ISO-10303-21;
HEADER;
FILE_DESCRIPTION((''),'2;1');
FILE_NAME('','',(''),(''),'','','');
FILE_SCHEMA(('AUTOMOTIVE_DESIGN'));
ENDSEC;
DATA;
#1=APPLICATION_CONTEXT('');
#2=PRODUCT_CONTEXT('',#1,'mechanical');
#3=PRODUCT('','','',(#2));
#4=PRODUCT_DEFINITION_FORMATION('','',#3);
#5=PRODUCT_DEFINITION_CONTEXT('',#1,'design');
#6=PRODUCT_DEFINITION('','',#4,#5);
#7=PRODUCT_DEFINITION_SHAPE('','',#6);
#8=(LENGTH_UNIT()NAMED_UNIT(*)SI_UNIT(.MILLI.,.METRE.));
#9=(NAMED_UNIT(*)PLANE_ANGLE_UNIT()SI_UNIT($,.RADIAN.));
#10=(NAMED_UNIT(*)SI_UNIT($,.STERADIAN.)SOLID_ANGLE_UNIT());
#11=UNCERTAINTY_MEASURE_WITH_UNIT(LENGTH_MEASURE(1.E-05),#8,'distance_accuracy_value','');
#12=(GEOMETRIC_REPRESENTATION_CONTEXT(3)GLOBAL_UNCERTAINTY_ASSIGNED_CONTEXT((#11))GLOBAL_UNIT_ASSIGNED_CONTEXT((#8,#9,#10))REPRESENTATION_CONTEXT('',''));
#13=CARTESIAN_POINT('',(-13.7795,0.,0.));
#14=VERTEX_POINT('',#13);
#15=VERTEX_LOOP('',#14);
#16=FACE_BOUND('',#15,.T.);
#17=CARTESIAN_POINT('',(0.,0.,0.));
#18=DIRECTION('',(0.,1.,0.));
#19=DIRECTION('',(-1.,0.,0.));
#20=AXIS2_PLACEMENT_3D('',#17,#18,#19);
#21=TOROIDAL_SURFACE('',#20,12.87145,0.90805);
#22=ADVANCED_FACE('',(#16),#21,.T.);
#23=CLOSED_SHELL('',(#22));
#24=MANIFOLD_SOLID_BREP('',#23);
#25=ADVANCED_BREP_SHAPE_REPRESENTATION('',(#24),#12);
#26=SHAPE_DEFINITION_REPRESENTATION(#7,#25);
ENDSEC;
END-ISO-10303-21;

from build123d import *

# Parameters (mm, degrees)
SKETCH1_R = 0.90805


with BuildPart() as part:
    # Sketch1 → Revolve1 (revolve)
    with BuildSketch(Plane.XY):
        with Locations((-12.87145, 0)):
            Circle(SKETCH1_R)
    revolve(axis=Axis((0, 22.875948006, 0), (0, -1, 0)))


solid = part.part
